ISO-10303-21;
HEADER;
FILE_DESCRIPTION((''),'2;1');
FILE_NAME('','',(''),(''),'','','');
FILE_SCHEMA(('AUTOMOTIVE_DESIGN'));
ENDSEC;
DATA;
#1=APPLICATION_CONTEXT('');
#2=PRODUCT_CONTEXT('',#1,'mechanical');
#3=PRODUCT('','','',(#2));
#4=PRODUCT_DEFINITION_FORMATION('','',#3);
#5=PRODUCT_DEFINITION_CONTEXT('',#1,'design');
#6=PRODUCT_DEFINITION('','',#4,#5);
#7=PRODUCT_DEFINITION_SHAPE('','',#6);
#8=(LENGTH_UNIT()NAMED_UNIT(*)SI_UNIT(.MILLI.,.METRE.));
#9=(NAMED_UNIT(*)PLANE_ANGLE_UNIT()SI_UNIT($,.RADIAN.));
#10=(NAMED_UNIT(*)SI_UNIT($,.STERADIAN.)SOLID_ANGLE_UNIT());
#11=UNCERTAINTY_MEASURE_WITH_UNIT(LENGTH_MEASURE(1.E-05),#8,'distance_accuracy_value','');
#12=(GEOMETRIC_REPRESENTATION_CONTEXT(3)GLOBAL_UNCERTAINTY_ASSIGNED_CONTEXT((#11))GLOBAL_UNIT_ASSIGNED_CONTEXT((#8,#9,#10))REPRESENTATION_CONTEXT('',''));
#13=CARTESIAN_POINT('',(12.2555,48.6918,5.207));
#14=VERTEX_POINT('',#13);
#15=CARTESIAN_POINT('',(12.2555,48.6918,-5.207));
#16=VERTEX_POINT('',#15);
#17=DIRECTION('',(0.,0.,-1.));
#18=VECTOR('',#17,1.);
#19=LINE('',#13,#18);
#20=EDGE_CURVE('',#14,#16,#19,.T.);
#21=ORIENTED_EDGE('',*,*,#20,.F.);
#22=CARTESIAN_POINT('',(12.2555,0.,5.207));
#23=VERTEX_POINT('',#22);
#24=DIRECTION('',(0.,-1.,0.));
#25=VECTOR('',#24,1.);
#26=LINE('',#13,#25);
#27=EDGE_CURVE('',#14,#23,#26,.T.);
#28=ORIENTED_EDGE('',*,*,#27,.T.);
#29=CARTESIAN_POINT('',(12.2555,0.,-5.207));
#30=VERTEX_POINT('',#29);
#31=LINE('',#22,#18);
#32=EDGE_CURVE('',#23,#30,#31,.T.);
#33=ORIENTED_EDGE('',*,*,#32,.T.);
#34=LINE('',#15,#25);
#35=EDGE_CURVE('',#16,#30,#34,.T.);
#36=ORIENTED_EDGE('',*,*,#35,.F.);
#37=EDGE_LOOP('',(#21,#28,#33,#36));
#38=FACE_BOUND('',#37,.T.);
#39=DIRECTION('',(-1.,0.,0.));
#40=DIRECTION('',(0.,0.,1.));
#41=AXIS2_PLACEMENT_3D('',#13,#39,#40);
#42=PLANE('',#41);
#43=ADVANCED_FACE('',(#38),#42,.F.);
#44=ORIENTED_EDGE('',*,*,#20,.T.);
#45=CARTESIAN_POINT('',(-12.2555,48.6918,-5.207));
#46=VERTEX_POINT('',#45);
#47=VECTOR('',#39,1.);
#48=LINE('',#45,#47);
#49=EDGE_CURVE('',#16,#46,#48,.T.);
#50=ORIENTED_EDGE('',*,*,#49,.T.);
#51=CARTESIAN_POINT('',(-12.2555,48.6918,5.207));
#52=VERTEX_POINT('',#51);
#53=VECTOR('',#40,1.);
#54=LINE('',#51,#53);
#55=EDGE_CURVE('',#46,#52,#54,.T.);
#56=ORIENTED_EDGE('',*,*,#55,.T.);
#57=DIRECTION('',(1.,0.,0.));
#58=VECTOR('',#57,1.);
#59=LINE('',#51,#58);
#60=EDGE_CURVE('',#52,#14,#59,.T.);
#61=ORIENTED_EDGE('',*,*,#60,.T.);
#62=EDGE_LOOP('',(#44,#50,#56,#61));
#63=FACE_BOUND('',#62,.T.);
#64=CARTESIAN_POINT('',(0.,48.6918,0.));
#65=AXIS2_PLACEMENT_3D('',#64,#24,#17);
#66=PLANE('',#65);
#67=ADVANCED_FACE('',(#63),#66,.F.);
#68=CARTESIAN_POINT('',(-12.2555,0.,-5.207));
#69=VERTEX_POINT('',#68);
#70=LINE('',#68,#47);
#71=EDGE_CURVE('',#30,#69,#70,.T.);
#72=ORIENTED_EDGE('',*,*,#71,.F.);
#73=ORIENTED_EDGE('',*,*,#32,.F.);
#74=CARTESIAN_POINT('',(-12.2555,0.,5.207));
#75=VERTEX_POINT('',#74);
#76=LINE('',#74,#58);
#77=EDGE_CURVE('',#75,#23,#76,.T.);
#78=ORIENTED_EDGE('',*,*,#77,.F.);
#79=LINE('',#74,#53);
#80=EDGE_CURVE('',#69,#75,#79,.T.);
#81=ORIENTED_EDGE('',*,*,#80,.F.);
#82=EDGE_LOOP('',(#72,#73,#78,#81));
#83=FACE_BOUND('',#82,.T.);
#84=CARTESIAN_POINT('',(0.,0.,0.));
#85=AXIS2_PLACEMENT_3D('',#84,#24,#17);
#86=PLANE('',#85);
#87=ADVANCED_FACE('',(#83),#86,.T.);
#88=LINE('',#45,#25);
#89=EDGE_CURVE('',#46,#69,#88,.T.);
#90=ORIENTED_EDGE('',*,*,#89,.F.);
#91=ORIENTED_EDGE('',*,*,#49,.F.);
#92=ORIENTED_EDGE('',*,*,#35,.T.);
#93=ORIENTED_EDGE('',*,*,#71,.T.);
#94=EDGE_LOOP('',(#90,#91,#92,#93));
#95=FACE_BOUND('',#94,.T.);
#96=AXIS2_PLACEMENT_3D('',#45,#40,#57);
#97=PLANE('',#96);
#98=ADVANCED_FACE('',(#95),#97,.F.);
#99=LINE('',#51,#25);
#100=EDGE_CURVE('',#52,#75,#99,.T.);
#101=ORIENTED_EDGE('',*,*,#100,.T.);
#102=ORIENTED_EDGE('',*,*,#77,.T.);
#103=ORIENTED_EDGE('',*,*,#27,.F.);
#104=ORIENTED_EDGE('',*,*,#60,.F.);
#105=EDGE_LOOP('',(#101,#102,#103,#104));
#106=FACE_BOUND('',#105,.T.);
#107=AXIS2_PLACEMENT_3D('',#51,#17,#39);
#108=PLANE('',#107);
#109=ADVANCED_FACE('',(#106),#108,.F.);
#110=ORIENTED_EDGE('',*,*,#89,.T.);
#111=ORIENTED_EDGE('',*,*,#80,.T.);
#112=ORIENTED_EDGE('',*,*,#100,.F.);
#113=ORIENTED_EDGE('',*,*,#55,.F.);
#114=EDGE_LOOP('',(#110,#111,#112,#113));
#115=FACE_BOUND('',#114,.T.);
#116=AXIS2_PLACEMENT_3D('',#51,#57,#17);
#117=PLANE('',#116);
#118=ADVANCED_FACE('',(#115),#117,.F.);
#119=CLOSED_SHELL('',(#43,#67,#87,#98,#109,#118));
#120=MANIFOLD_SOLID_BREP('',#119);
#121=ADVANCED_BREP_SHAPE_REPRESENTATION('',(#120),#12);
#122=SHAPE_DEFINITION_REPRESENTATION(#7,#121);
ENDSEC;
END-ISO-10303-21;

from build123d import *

# Parameters (mm, degrees)
SKETCH1_W           = 24.511
SKETCH1_H           = 10.414
BOSS_EXTRUDE1_DEPTH = 48.6918


with BuildPart() as part:
    # Sketch1 → Boss-Extrude1 (new body)
    with BuildSketch(Plane(origin=(0, 0, 0), x_dir=(1, 0, 0), z_dir=(0, 1, 0))):
        Rectangle(SKETCH1_W, SKETCH1_H)
    extrude(amount=BOSS_EXTRUDE1_DEPTH)


solid = part.part
